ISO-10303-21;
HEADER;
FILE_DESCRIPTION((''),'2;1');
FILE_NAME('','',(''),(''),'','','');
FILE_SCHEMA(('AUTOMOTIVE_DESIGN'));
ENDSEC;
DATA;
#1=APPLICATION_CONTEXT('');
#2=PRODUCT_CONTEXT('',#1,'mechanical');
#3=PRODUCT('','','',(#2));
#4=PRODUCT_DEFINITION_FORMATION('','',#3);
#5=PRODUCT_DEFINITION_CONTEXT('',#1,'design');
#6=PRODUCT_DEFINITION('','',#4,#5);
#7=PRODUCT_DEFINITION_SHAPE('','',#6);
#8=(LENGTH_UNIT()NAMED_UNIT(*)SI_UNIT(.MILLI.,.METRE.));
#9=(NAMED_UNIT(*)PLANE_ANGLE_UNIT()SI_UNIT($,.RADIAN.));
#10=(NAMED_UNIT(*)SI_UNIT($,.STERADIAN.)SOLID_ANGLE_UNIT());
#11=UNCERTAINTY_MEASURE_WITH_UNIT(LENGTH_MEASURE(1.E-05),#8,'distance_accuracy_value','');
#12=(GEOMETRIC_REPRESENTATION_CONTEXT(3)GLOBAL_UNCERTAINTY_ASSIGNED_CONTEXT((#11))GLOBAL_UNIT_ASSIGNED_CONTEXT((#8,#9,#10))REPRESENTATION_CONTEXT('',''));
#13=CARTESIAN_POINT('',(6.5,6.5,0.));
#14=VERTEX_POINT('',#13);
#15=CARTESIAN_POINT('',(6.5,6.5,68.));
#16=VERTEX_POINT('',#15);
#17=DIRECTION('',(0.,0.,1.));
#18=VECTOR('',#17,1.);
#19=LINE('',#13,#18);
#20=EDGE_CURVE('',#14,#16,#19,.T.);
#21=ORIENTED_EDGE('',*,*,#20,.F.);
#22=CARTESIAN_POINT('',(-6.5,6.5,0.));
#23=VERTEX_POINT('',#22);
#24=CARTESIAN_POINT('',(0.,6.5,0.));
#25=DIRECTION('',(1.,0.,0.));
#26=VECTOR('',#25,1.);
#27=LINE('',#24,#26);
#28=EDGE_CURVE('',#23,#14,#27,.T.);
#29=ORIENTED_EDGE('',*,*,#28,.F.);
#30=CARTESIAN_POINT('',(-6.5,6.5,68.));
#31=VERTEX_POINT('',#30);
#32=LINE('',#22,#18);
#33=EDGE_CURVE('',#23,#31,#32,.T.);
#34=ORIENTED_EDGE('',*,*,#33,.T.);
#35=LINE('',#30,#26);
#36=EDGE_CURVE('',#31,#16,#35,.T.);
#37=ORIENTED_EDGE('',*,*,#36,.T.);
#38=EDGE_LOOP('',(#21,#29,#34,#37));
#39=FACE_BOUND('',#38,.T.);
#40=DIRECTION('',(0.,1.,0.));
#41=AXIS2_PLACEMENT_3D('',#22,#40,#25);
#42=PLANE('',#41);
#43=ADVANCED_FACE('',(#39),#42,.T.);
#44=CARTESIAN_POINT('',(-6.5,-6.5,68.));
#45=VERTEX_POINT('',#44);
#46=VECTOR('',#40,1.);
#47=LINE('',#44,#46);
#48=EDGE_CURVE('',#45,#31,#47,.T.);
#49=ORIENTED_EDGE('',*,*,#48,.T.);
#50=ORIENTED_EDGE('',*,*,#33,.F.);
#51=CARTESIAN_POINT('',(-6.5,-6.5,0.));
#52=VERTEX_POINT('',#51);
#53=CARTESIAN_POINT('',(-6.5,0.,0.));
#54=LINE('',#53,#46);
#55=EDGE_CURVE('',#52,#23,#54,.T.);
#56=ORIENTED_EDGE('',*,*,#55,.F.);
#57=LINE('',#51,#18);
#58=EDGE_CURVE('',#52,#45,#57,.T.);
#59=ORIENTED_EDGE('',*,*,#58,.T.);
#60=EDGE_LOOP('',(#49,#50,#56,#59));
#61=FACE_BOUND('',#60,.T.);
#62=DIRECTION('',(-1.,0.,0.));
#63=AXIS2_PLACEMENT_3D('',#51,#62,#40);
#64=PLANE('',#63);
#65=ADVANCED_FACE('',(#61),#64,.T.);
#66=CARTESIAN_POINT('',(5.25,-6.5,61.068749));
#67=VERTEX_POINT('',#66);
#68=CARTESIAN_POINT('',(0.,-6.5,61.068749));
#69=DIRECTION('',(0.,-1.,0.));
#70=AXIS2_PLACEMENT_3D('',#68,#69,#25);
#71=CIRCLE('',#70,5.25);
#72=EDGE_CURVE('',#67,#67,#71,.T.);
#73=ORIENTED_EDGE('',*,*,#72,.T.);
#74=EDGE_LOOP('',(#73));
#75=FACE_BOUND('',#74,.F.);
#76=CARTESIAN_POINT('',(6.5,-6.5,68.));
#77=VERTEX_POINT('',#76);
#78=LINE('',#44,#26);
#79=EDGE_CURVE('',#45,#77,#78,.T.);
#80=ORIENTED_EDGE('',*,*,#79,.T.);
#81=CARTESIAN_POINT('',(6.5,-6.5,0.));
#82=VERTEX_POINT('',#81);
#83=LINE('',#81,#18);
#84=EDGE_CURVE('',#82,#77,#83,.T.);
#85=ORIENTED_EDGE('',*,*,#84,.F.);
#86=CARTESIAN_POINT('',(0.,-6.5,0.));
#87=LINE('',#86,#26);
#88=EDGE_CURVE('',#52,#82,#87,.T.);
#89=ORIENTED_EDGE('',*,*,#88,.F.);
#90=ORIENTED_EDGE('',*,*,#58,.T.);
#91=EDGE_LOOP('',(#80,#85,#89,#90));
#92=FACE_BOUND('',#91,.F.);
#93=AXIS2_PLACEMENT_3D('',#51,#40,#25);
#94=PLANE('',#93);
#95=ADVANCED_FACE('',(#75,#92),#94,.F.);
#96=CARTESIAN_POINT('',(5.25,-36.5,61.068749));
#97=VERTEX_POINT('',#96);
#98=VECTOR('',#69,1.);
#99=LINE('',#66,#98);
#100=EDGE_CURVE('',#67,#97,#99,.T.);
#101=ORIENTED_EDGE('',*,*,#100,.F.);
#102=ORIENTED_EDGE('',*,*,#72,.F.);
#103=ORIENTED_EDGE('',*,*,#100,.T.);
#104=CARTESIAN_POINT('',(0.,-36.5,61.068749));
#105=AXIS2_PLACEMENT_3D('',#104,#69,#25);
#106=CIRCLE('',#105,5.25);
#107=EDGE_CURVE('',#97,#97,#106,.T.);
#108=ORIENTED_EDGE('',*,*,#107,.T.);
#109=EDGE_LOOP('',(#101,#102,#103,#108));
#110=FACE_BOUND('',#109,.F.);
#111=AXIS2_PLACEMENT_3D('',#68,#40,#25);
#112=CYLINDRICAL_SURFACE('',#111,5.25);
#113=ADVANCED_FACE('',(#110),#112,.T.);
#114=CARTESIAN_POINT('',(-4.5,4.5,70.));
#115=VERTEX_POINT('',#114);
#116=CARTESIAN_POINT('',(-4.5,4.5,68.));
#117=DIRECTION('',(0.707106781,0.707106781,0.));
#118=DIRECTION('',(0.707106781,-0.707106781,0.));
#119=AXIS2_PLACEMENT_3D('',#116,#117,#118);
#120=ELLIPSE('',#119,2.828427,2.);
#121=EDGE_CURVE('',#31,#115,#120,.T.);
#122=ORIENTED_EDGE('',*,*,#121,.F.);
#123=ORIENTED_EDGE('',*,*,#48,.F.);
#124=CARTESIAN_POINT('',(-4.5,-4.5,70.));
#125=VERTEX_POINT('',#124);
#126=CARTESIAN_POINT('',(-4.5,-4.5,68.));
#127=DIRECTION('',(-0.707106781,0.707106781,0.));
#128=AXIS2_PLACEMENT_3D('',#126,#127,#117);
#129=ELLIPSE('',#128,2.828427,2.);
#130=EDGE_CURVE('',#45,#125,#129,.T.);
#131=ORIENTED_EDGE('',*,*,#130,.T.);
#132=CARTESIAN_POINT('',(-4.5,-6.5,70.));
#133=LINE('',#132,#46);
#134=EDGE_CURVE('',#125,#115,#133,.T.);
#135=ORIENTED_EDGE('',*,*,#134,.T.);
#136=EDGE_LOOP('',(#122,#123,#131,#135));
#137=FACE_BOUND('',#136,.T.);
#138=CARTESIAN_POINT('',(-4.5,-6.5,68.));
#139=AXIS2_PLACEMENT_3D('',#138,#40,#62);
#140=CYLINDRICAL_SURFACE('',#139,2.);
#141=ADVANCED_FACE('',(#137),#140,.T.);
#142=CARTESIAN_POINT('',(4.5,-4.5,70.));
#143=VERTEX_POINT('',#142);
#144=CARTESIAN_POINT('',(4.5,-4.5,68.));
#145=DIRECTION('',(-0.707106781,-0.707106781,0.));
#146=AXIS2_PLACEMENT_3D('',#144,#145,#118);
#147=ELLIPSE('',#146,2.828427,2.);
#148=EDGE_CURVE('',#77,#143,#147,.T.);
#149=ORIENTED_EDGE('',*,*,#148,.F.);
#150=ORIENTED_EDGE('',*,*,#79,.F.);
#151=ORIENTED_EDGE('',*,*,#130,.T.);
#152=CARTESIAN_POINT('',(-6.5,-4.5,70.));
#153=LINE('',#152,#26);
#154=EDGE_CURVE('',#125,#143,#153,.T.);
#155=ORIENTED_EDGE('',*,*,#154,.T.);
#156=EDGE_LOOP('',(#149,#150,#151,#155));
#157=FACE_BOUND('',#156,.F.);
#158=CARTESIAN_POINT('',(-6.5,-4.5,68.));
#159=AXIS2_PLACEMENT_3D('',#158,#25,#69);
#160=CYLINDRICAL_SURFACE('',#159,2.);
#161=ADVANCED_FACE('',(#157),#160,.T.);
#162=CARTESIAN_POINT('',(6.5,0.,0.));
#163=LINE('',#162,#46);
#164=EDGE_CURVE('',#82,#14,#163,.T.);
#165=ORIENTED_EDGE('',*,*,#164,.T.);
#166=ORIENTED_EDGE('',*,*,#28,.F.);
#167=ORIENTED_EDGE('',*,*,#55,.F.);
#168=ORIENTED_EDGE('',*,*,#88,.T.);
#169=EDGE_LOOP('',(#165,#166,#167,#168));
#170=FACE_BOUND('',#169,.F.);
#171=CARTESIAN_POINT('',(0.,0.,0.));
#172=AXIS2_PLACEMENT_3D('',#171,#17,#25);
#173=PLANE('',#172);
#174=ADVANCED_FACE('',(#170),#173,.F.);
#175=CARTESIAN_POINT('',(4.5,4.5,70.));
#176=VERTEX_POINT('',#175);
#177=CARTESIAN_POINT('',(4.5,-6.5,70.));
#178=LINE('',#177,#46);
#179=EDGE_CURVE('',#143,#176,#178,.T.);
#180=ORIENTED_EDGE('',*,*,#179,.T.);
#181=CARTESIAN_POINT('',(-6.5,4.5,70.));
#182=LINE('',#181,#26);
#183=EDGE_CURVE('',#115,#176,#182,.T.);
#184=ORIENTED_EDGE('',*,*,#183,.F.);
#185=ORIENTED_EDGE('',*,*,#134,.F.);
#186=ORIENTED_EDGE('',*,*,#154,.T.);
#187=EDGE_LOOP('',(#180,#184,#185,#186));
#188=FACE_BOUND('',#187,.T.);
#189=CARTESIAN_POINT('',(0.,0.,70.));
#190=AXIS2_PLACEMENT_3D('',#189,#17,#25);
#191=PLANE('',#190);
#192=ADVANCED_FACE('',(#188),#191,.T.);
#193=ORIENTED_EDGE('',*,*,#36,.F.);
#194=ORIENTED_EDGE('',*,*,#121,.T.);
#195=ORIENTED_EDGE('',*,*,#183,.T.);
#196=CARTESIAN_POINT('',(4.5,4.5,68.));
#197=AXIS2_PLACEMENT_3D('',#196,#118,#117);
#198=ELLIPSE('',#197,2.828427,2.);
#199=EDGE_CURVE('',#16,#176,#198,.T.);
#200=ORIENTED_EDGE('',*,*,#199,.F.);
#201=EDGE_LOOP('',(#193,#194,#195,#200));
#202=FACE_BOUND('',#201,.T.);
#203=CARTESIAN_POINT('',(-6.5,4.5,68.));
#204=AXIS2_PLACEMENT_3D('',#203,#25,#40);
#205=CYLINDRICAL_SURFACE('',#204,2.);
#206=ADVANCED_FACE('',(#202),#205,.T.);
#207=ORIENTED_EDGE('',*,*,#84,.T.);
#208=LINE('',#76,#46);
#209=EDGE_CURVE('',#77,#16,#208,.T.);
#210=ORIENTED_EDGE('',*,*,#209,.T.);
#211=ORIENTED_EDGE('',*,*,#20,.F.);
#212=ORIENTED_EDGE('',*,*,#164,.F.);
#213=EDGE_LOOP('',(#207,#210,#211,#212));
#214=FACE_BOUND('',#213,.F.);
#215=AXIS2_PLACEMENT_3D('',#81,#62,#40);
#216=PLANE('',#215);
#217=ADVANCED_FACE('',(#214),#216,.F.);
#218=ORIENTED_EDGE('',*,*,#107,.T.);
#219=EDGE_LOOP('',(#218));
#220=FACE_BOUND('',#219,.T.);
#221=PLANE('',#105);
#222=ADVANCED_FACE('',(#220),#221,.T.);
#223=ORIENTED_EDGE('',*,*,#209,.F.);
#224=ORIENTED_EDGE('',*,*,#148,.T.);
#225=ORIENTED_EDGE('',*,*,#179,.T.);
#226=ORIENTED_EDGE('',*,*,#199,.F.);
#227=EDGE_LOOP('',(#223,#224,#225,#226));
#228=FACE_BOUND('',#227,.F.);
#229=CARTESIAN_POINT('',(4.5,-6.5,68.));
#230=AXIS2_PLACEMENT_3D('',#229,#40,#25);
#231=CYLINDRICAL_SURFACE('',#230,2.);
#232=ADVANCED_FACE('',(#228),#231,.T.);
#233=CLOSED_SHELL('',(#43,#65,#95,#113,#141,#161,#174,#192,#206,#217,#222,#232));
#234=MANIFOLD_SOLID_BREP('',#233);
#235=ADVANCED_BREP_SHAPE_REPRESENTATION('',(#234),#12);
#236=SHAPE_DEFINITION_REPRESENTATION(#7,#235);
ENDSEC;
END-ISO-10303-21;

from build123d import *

# Parameters (mm, degrees)
F0_W     = 13
F0_H     = 13
F1_DEPTH = 70
F2_R     = 2
F3_R     = 5.25
F4_DEPTH = 30


with BuildPart() as f1:
    # F0 (on Top) → F1 (new body)
    with BuildSketch(Plane.XY):
        Rectangle(F0_W, F0_H)
    extrude(amount=F1_DEPTH)

    # F2
    f2_edges = [f1.edges().sort_by_distance(p)[0] for p in [
        (0, 6.5, 70),
        (-6.5, 0, 70),
        (0, -6.5, 70),
        (6.5, 0, 70),
    ]]
    fillet(f2_edges, radius=F2_R)

    # F3 (on face) → F4 (join)
    with BuildSketch(Plane.XZ.offset(6.5)):
        with Locations((0, 61.068749)):
            Circle(F3_R)
    extrude(amount=F4_DEPTH)


solid = f1.part
